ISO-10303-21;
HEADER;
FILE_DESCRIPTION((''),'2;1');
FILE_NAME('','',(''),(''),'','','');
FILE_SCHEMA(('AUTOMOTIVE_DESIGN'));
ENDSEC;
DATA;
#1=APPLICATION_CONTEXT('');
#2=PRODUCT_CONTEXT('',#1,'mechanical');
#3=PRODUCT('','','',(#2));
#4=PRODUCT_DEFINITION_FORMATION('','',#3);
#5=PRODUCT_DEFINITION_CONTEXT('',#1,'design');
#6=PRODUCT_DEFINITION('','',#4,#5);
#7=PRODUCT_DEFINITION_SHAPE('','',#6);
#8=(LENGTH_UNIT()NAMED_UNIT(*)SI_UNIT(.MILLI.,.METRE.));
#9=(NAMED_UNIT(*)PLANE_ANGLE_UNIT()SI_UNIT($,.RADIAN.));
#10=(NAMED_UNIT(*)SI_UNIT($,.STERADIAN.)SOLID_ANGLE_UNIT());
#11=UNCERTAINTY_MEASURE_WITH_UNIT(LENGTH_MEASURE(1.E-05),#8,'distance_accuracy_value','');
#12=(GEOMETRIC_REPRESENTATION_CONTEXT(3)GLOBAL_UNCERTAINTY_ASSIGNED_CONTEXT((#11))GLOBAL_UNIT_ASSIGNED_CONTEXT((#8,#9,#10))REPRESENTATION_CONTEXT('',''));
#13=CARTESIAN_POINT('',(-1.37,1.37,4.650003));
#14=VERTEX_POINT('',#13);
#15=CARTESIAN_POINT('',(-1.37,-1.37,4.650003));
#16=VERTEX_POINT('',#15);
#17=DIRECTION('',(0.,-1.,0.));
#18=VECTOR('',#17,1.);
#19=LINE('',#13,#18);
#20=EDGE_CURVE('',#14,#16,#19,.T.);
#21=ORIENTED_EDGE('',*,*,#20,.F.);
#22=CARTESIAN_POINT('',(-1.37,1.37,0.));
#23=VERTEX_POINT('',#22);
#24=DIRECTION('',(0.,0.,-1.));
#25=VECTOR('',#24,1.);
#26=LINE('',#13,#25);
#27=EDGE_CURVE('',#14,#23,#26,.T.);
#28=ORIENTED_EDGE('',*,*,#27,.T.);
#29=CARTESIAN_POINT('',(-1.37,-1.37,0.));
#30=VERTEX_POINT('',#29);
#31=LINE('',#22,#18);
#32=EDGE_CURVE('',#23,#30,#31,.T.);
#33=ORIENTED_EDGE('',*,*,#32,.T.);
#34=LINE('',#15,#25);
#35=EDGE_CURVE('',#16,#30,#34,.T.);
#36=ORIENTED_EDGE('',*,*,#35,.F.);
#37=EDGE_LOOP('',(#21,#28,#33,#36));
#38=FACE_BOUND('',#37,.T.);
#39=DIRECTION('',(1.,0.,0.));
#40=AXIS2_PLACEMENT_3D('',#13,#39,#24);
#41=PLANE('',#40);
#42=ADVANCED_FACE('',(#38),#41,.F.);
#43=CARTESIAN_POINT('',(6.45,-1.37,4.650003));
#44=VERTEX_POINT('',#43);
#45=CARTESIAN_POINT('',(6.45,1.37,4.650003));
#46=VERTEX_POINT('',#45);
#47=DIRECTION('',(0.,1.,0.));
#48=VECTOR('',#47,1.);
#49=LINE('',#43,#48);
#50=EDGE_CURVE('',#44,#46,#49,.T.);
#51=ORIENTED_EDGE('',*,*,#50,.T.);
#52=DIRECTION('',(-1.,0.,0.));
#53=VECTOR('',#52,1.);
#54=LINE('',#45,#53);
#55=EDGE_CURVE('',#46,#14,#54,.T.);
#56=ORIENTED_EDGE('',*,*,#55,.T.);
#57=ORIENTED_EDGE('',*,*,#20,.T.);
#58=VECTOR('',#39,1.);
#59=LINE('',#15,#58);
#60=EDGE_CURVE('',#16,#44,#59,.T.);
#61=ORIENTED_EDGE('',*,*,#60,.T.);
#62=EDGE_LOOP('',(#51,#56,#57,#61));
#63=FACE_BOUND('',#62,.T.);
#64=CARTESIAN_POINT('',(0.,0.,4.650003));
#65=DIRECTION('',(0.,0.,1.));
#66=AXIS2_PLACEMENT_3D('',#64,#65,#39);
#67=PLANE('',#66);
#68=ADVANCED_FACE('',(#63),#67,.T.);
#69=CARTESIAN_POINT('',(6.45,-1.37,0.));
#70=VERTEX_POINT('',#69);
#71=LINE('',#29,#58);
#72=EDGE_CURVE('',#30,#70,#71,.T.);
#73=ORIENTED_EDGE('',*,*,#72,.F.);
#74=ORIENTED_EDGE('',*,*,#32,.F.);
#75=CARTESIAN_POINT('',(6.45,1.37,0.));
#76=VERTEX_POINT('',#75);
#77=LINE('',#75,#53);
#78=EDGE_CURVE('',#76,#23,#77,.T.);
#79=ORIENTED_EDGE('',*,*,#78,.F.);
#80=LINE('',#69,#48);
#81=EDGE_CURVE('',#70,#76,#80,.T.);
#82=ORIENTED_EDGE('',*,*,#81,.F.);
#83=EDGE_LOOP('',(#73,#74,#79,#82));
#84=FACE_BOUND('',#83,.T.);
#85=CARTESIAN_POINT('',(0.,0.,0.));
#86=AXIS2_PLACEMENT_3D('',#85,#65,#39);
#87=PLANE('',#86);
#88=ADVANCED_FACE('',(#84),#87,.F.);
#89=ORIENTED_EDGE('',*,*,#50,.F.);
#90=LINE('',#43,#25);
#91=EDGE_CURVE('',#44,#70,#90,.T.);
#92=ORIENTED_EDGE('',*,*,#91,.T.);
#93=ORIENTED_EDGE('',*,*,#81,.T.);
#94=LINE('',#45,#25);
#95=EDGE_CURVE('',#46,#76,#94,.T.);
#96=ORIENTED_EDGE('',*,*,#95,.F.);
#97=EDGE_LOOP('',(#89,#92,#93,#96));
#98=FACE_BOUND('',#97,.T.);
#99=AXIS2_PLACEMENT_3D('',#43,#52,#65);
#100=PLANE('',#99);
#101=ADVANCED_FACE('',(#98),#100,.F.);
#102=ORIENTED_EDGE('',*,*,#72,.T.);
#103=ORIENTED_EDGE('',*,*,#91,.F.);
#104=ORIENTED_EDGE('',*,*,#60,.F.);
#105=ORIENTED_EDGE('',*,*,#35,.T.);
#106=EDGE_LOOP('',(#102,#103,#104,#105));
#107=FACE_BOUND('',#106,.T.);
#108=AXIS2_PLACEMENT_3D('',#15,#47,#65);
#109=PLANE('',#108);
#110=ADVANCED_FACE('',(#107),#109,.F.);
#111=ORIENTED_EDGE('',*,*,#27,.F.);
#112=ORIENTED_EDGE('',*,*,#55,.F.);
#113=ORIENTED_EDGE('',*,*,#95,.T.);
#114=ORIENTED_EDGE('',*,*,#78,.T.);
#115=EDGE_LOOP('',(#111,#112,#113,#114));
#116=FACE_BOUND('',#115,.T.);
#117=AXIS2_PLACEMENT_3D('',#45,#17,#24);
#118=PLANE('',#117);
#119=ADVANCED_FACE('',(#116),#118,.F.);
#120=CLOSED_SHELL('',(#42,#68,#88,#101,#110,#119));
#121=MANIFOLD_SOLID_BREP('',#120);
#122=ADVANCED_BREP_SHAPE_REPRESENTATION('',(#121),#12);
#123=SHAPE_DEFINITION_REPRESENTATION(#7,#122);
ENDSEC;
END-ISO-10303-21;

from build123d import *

# Parameters (mm, degrees)
SKETCH1_W               = 7.8199996
SKETCH1_H               = 2.7399996
COMPONENT_OUTLINE_DEPTH = 4.6500034


with BuildPart() as part:
    # Sketch1 → Component_Outline (new body)
    with BuildSketch(Plane.XY):
        with Locations((2.54, 0)):
            Rectangle(SKETCH1_W, SKETCH1_H)
    extrude(amount=COMPONENT_OUTLINE_DEPTH)


solid = part.part
